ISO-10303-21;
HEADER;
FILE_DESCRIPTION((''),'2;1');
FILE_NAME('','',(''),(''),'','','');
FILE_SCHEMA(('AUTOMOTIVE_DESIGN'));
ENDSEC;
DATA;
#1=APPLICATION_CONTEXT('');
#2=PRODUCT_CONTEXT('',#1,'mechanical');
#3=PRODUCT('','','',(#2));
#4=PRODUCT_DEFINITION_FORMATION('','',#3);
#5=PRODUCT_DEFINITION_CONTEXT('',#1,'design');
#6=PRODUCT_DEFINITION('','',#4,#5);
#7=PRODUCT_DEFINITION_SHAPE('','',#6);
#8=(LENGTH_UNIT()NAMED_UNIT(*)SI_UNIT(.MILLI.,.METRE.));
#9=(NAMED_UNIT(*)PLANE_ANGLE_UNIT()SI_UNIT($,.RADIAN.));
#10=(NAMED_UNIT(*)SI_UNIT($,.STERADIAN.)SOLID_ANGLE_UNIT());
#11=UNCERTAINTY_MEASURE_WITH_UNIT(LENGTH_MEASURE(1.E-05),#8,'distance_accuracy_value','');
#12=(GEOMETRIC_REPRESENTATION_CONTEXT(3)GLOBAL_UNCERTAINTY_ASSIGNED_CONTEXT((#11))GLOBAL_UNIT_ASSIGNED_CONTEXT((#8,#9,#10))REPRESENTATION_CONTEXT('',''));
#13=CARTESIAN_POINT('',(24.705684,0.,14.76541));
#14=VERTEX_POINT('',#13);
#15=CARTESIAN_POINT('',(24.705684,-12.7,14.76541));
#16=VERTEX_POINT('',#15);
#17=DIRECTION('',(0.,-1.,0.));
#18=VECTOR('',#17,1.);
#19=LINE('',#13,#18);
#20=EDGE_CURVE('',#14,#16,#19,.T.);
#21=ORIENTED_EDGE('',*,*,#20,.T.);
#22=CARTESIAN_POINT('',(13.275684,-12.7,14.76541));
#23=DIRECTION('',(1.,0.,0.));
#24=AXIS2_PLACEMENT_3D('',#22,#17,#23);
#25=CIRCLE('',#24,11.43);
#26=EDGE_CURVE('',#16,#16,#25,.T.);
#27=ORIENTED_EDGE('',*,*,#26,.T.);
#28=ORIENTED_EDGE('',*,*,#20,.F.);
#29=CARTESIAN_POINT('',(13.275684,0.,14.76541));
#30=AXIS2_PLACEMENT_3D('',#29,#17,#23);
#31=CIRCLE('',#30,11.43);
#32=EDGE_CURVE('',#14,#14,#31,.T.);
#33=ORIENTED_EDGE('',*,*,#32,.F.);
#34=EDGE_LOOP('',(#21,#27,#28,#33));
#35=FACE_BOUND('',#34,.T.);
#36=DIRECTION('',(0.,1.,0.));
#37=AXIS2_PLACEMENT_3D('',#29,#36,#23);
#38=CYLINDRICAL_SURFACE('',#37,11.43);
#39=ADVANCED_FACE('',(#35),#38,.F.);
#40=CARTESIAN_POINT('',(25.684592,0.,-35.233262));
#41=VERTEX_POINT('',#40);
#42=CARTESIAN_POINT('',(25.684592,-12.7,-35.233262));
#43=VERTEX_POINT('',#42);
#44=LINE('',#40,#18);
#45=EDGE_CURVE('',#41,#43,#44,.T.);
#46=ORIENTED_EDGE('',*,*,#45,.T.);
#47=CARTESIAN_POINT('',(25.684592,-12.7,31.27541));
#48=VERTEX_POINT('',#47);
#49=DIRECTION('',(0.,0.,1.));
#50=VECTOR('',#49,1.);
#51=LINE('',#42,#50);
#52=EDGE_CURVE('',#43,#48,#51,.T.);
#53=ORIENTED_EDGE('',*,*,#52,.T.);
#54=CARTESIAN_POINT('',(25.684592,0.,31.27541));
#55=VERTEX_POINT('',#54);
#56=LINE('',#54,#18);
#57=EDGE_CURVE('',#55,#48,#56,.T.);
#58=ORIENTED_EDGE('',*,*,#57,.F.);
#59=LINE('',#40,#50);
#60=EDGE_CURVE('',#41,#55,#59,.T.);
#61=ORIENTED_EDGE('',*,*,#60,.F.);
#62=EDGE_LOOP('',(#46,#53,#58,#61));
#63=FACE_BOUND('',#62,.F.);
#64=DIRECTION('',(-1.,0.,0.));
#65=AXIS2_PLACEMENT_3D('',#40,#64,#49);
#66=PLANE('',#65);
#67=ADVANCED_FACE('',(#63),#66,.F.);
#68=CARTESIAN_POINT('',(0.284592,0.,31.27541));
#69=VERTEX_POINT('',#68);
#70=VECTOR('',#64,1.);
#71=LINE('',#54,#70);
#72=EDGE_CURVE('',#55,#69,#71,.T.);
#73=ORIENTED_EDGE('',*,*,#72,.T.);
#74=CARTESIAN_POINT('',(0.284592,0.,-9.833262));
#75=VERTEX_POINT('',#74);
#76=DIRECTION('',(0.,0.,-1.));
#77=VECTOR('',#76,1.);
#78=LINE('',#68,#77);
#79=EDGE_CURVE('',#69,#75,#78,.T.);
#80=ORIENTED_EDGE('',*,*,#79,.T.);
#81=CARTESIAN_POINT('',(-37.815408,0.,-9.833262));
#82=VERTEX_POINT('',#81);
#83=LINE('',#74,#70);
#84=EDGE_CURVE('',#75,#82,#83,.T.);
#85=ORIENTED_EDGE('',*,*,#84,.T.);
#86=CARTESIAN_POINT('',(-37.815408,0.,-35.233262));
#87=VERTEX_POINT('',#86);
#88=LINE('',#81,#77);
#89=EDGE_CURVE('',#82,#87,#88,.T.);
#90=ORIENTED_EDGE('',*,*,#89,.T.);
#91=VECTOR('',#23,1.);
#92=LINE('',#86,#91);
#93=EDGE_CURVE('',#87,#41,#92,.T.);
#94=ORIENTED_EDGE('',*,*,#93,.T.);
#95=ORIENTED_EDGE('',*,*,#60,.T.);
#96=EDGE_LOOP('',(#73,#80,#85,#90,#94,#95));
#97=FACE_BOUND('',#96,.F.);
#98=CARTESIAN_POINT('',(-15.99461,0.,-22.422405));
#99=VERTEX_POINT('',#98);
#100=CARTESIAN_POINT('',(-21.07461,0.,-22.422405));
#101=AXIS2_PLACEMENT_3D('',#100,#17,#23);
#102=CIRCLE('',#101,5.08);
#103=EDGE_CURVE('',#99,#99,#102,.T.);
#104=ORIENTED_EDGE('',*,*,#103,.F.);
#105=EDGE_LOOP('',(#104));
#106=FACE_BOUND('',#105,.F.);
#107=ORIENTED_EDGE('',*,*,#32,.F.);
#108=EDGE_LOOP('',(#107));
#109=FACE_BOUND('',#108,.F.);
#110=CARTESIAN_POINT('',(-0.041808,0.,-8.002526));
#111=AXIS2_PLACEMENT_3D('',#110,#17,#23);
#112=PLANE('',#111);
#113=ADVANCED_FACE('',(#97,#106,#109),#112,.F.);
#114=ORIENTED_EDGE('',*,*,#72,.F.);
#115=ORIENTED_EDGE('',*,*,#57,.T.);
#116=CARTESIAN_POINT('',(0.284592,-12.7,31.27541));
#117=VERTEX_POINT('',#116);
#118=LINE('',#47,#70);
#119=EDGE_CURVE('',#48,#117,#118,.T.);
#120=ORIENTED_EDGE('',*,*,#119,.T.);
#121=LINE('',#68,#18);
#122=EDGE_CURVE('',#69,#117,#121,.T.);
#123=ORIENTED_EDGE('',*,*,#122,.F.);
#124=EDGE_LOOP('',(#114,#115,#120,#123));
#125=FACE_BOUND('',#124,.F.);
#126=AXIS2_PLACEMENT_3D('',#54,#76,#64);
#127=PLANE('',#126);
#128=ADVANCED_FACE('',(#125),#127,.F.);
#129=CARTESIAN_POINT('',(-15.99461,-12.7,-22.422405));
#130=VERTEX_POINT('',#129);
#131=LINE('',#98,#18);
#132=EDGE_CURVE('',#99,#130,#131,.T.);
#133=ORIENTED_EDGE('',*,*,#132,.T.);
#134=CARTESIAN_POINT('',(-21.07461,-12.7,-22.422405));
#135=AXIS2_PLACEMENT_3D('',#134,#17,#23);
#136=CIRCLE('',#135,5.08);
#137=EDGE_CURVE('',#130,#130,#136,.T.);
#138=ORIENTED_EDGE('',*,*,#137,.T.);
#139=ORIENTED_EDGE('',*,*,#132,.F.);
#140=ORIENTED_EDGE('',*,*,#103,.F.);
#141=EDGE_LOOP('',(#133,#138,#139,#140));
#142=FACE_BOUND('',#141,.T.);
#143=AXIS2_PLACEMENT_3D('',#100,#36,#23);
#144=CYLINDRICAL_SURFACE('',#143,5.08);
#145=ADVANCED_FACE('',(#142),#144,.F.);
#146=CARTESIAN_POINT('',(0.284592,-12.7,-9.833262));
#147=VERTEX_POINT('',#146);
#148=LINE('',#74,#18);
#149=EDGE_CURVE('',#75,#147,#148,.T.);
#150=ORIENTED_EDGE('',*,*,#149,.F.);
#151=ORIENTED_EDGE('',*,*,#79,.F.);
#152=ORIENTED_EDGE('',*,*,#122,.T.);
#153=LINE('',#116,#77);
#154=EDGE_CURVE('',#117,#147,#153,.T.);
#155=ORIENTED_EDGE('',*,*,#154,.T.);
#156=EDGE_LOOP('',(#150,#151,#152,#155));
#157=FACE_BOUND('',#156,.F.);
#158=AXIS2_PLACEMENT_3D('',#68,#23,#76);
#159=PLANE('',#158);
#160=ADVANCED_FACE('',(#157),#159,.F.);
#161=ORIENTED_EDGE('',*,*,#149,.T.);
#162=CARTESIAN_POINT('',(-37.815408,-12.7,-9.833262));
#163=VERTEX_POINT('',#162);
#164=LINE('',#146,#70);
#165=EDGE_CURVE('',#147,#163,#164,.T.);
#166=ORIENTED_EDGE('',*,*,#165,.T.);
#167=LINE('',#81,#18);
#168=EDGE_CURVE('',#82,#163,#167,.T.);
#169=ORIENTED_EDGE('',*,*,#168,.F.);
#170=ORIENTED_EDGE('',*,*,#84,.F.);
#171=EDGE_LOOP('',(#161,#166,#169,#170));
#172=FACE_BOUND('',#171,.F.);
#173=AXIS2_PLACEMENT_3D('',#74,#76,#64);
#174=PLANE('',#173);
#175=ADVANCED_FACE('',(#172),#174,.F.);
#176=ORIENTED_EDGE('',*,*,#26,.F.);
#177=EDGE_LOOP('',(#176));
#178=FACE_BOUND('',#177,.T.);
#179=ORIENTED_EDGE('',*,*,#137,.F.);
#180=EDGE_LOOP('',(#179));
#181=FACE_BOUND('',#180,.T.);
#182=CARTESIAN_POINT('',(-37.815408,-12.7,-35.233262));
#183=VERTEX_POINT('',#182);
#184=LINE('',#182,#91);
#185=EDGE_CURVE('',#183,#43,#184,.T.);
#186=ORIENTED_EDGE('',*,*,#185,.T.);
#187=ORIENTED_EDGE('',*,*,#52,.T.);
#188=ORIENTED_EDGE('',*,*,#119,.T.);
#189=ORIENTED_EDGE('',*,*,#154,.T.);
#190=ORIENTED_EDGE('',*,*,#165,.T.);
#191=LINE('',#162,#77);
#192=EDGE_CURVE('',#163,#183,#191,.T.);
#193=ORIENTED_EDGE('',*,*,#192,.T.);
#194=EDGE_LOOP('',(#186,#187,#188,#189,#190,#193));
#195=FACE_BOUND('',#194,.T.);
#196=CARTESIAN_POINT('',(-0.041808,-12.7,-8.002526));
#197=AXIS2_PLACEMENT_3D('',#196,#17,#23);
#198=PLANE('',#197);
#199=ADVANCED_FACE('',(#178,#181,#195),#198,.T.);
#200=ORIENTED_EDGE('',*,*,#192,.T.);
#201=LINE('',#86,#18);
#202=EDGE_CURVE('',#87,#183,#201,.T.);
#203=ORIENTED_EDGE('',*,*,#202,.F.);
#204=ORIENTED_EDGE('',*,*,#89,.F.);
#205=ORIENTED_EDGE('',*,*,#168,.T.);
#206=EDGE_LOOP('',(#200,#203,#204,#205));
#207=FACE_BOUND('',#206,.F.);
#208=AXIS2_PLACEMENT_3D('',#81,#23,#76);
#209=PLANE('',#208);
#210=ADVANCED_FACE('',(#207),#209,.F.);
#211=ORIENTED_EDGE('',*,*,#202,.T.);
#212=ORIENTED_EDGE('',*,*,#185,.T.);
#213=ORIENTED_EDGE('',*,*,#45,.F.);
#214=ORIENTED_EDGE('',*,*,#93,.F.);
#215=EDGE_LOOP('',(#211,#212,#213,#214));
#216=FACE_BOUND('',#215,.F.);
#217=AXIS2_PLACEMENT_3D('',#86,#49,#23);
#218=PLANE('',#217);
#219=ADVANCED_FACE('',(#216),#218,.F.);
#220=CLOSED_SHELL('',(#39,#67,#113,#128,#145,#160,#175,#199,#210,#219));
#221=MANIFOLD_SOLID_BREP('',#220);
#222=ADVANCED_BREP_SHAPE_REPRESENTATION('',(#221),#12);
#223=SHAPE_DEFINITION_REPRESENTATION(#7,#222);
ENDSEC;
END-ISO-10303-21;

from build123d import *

# Parameters (mm, degrees)
F0_R     = 5.08
F0_R_2   = 11.43
F1_DEPTH = 12.7


with BuildPart() as f1:
    # F0 (on Front) → F1 (new body)
    with BuildSketch(Plane.XZ):
        Polygon((25.684592, 31.27541), (0.284592, 31.27541), (0.284592, -9.833262), (-37.815408, -9.833262), (-37.815408, -35.233262), (0.284592, -35.233262), (25.684592, -35.233262), align=None)
        with Locations((-21.07461, -22.422405)):
            Circle(F0_R, mode=Mode.SUBTRACT)
        with Locations((13.275684, 14.76541)):
            Circle(F0_R_2, mode=Mode.SUBTRACT)
    extrude(amount=F1_DEPTH)


solid = f1.part
